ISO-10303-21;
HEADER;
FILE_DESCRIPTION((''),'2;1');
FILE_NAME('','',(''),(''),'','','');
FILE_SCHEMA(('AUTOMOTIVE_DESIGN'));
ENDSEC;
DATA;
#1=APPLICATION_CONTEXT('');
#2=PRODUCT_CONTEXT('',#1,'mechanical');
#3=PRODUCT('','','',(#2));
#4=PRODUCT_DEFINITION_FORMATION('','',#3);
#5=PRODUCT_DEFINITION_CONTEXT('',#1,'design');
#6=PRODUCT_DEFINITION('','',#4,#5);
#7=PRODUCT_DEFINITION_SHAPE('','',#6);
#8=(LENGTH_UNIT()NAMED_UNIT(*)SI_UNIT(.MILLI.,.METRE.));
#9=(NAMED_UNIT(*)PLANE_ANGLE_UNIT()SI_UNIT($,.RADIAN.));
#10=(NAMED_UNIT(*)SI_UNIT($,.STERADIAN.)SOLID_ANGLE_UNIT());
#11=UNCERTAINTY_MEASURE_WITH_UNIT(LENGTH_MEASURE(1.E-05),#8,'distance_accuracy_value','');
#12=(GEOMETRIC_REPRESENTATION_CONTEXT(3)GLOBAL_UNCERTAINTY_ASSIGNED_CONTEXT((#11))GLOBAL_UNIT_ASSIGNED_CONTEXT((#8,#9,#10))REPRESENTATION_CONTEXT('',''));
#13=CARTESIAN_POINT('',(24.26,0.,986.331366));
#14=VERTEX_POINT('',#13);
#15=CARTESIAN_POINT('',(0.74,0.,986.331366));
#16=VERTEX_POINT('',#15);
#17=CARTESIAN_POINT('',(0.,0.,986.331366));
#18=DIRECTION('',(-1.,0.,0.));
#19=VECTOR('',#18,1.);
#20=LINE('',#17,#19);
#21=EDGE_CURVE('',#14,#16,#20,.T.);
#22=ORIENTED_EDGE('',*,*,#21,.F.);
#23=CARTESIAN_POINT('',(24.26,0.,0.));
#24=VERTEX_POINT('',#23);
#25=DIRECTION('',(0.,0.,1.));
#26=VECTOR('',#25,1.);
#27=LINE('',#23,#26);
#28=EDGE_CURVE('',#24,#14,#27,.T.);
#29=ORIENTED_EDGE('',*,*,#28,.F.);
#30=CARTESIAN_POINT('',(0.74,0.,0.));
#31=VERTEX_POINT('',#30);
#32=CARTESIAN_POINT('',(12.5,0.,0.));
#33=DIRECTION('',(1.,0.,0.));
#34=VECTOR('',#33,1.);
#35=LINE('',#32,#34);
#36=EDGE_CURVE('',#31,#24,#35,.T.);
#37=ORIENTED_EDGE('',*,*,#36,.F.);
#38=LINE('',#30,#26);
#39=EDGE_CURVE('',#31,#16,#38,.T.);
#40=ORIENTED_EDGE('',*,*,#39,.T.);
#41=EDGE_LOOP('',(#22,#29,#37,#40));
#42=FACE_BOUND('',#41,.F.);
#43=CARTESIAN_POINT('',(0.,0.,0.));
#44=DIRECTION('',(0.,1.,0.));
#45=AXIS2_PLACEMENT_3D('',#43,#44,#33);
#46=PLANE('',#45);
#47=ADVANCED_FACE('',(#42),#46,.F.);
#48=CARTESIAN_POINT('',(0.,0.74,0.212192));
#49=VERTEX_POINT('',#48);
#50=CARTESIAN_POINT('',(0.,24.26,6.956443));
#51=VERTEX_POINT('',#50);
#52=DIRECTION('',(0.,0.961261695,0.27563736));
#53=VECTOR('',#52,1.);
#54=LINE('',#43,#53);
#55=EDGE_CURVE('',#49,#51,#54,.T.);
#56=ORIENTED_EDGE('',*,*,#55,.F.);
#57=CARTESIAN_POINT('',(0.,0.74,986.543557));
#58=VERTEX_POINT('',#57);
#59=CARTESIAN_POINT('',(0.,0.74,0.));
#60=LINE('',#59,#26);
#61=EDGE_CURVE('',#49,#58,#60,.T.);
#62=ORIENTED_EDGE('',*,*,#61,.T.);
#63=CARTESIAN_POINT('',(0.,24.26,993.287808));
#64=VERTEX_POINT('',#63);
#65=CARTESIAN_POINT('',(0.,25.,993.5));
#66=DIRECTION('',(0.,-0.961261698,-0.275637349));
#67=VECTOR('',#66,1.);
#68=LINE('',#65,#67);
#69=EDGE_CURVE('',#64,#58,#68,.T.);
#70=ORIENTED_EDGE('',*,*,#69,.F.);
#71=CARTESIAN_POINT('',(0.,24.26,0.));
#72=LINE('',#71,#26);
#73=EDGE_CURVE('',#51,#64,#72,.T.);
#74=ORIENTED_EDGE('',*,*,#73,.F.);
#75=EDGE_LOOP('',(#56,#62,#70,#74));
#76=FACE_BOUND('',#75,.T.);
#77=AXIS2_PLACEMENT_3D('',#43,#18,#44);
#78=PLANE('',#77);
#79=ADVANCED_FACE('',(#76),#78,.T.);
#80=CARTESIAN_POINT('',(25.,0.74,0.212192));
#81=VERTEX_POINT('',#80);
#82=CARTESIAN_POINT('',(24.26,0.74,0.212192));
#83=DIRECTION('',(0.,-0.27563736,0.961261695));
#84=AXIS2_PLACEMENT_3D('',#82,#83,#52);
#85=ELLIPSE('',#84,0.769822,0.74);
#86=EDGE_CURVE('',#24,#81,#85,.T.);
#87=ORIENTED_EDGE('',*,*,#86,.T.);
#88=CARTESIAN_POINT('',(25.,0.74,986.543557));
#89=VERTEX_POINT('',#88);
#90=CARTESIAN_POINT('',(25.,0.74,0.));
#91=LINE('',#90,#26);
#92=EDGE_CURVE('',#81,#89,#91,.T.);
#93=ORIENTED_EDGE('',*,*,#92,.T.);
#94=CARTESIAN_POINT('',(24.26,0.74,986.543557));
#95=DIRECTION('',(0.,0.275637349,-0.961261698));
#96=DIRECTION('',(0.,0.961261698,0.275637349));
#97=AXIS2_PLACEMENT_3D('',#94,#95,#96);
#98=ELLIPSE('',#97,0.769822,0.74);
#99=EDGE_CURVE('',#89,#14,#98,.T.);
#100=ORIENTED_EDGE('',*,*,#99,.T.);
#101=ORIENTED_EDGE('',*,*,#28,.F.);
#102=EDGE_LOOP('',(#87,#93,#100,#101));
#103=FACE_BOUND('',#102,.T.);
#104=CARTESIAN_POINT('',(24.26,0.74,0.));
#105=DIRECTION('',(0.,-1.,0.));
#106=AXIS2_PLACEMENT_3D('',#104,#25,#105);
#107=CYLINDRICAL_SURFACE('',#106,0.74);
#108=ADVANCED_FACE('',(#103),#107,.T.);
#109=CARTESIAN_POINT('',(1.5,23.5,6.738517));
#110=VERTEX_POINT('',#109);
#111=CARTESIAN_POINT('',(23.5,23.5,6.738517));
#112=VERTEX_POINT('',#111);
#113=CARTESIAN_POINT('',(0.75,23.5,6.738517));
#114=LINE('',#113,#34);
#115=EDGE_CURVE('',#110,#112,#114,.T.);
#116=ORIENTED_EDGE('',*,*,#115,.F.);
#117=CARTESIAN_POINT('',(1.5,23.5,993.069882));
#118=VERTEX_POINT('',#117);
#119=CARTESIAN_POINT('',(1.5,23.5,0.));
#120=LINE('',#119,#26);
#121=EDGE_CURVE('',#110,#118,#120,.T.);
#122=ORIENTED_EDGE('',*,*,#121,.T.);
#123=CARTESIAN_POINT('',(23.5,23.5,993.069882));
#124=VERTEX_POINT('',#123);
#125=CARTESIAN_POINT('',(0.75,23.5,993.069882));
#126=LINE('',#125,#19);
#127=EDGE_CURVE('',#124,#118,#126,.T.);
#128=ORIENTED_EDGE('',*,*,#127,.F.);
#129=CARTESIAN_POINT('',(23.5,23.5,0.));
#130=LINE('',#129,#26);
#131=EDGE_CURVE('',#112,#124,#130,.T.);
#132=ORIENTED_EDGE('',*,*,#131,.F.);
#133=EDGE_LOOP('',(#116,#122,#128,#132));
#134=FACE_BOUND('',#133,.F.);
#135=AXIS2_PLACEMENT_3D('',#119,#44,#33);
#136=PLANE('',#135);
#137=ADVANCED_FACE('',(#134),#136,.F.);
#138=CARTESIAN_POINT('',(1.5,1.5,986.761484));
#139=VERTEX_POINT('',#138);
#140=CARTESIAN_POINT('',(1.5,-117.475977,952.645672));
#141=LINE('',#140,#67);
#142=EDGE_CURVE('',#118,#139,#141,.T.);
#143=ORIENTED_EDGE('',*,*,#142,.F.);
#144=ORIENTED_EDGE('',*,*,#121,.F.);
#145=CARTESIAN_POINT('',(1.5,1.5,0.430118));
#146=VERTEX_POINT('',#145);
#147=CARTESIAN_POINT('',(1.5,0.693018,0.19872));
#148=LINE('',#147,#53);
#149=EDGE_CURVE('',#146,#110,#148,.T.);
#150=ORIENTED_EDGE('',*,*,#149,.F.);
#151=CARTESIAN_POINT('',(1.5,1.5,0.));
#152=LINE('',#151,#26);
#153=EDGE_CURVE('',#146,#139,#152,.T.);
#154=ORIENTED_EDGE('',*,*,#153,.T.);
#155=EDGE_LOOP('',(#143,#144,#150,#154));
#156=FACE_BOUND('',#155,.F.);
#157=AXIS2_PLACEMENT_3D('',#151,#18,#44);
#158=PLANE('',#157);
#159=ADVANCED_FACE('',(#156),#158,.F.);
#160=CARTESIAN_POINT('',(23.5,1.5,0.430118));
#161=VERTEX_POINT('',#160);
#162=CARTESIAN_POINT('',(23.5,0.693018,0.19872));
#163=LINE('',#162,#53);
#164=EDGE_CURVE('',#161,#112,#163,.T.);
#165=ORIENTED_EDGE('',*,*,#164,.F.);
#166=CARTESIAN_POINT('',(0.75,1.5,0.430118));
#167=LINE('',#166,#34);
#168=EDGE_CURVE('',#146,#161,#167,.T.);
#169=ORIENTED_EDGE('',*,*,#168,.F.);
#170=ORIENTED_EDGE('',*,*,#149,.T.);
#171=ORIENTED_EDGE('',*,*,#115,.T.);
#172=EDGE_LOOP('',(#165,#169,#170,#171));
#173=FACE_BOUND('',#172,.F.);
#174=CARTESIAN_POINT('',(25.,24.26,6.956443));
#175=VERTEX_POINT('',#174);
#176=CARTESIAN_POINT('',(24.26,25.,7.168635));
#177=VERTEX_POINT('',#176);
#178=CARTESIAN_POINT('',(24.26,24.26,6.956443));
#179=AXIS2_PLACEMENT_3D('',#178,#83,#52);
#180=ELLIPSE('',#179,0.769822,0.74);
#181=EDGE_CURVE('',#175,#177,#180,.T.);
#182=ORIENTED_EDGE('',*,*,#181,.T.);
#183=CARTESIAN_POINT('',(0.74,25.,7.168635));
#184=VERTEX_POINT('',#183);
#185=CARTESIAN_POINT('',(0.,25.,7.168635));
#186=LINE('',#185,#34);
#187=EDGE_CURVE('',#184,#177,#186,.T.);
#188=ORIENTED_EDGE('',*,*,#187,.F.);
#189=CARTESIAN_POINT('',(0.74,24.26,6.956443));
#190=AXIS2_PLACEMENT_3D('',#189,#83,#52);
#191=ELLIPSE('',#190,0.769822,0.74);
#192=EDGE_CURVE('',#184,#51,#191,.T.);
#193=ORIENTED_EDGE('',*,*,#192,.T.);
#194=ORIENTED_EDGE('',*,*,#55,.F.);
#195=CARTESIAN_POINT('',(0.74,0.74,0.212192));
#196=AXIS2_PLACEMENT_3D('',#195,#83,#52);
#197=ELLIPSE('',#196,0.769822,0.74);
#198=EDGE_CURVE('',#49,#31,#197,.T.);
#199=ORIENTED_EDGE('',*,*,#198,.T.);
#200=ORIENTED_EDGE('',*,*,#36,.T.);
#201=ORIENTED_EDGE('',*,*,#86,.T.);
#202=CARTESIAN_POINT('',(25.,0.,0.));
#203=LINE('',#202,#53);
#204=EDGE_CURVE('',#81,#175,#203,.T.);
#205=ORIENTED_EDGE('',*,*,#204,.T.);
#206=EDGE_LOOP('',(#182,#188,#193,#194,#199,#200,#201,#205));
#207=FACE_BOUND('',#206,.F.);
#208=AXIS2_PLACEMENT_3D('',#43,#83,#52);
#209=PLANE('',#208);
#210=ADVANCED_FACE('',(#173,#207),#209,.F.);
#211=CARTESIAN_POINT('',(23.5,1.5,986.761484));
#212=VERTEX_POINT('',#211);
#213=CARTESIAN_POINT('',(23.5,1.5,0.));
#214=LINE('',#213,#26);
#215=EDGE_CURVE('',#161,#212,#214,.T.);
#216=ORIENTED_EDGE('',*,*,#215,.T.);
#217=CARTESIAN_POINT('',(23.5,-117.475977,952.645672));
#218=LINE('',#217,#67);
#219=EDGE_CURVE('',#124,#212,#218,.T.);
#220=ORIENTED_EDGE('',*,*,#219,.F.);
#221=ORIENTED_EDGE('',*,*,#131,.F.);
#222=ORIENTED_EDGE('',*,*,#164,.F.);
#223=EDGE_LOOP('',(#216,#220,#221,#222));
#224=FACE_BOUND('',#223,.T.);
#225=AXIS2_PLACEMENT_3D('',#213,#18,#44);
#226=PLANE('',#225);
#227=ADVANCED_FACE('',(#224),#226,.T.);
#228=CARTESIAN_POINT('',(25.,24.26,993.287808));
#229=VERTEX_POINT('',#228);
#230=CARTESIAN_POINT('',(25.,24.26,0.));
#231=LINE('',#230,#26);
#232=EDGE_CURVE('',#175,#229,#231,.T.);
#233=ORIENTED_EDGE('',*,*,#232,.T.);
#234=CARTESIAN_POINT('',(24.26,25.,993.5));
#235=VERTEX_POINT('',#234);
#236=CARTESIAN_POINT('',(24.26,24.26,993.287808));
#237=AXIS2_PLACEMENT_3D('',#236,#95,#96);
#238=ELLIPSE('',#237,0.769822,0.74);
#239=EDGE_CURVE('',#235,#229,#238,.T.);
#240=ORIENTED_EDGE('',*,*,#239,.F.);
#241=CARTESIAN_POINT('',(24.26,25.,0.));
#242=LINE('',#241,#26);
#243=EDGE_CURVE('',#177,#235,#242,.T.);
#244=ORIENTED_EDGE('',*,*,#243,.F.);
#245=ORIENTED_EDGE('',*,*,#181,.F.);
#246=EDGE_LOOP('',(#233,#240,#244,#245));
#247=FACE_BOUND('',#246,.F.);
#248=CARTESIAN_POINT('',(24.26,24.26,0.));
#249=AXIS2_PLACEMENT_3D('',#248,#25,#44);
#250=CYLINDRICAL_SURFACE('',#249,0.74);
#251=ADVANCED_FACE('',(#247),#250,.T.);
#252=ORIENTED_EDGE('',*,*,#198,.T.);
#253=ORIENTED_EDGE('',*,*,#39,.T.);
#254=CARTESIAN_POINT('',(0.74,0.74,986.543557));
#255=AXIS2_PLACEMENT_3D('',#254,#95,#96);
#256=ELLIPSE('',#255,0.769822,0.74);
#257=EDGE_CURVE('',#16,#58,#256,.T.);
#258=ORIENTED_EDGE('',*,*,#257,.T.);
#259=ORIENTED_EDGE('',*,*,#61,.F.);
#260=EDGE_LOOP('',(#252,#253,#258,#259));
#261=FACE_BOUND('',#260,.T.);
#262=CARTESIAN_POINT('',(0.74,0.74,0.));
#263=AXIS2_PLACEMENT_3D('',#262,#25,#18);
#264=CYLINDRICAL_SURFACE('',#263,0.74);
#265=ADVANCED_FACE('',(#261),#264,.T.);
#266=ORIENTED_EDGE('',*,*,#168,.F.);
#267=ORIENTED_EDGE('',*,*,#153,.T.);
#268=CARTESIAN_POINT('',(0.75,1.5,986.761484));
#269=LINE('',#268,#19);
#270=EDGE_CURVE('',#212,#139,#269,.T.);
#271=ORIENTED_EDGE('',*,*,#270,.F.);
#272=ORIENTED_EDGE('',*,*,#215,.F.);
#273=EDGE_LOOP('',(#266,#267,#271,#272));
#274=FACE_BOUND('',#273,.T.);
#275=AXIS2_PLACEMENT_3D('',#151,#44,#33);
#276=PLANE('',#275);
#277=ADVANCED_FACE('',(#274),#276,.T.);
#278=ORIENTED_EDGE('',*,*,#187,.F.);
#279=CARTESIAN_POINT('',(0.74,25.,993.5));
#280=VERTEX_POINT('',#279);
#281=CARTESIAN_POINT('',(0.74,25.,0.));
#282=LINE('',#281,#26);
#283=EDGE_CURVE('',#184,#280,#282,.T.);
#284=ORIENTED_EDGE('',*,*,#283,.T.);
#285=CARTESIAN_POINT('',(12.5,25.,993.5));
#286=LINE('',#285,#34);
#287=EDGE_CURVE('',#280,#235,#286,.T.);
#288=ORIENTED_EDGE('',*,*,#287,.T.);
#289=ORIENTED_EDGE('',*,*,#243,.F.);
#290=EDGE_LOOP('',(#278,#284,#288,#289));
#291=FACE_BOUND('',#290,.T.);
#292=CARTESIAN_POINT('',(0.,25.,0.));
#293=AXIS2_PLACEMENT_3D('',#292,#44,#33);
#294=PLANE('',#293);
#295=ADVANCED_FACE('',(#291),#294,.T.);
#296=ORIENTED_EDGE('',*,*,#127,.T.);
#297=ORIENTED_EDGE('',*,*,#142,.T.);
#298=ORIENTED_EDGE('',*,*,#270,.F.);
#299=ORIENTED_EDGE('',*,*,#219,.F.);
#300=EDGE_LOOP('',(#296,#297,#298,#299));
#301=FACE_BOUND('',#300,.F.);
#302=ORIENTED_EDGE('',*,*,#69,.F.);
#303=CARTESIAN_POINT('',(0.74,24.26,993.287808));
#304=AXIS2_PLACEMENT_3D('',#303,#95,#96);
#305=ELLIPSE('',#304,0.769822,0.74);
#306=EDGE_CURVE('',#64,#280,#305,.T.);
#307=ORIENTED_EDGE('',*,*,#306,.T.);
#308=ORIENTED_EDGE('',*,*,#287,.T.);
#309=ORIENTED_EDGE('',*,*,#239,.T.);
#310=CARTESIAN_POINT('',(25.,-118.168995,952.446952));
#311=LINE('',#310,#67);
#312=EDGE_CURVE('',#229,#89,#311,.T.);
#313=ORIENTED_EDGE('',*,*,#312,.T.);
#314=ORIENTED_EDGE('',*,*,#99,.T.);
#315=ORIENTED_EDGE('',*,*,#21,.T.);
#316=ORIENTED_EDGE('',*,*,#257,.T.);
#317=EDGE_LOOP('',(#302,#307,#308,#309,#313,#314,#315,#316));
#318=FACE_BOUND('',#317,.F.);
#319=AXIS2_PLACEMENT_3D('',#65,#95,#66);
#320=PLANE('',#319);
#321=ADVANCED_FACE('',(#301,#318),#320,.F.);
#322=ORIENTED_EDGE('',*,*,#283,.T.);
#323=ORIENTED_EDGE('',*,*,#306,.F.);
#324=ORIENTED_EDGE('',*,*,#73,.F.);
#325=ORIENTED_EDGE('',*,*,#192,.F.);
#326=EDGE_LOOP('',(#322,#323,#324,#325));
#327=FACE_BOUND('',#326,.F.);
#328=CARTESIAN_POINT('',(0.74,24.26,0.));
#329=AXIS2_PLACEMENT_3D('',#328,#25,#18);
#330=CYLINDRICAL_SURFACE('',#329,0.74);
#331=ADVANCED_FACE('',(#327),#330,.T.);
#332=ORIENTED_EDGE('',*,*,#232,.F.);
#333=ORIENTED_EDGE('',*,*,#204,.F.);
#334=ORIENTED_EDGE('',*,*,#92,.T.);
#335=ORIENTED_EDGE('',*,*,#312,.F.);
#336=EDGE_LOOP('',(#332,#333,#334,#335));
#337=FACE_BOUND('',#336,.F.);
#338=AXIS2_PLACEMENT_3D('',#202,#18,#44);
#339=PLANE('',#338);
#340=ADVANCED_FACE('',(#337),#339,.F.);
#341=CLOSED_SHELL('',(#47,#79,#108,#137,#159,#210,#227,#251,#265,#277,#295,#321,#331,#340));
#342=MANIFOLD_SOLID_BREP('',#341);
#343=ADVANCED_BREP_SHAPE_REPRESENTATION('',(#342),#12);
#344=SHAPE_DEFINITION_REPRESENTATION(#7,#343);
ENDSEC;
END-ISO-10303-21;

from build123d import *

# Parameters (mm, degrees)
SKETCH_W     = 25
SKETCH_H     = 25
SKETCH_W_2   = 22
SKETCH_H_2   = 22
PAD_DEPTH    = 993.5
FILLET_R     = 0.74
POCKET_DEPTH = 25.001


with BuildPart() as part:
    # Sketch → Pad (new body)
    with BuildSketch(Plane.XY):
        with Locations((12.5, 12.5)):
            Rectangle(SKETCH_W, SKETCH_H)
        with Locations((12.5, 12.5)):
            Rectangle(SKETCH_W_2, SKETCH_H_2, mode=Mode.SUBTRACT)
    extrude(amount=PAD_DEPTH)

    # Fillet
    fillet_edges = [part.edges().sort_by_distance(p)[0] for p in [
        (25, 0, 496.75),
        (0, 0, 496.75),
        (25, 25, 496.75),
        (0, 25, 496.75),
    ]]
    fillet(fillet_edges, radius=FILLET_R)

    # Sketch001 (on Face6 of Fillet) → Pocket (cut, through all)
    with BuildSketch(Plane(origin=(0, 0, 0), x_dir=(0, -1, 0), z_dir=(-1, 0, 0))):
        Polygon((0, 0), (-42.302197, 12.12996), (-25.0585, -14.483582), align=None)
        Polygon((-25, 993.5), (23.399026, 979.621803), (15.807791, 1006.485657), align=None)
    extrude(amount=-POCKET_DEPTH, mode=Mode.SUBTRACT)


solid = part.part
